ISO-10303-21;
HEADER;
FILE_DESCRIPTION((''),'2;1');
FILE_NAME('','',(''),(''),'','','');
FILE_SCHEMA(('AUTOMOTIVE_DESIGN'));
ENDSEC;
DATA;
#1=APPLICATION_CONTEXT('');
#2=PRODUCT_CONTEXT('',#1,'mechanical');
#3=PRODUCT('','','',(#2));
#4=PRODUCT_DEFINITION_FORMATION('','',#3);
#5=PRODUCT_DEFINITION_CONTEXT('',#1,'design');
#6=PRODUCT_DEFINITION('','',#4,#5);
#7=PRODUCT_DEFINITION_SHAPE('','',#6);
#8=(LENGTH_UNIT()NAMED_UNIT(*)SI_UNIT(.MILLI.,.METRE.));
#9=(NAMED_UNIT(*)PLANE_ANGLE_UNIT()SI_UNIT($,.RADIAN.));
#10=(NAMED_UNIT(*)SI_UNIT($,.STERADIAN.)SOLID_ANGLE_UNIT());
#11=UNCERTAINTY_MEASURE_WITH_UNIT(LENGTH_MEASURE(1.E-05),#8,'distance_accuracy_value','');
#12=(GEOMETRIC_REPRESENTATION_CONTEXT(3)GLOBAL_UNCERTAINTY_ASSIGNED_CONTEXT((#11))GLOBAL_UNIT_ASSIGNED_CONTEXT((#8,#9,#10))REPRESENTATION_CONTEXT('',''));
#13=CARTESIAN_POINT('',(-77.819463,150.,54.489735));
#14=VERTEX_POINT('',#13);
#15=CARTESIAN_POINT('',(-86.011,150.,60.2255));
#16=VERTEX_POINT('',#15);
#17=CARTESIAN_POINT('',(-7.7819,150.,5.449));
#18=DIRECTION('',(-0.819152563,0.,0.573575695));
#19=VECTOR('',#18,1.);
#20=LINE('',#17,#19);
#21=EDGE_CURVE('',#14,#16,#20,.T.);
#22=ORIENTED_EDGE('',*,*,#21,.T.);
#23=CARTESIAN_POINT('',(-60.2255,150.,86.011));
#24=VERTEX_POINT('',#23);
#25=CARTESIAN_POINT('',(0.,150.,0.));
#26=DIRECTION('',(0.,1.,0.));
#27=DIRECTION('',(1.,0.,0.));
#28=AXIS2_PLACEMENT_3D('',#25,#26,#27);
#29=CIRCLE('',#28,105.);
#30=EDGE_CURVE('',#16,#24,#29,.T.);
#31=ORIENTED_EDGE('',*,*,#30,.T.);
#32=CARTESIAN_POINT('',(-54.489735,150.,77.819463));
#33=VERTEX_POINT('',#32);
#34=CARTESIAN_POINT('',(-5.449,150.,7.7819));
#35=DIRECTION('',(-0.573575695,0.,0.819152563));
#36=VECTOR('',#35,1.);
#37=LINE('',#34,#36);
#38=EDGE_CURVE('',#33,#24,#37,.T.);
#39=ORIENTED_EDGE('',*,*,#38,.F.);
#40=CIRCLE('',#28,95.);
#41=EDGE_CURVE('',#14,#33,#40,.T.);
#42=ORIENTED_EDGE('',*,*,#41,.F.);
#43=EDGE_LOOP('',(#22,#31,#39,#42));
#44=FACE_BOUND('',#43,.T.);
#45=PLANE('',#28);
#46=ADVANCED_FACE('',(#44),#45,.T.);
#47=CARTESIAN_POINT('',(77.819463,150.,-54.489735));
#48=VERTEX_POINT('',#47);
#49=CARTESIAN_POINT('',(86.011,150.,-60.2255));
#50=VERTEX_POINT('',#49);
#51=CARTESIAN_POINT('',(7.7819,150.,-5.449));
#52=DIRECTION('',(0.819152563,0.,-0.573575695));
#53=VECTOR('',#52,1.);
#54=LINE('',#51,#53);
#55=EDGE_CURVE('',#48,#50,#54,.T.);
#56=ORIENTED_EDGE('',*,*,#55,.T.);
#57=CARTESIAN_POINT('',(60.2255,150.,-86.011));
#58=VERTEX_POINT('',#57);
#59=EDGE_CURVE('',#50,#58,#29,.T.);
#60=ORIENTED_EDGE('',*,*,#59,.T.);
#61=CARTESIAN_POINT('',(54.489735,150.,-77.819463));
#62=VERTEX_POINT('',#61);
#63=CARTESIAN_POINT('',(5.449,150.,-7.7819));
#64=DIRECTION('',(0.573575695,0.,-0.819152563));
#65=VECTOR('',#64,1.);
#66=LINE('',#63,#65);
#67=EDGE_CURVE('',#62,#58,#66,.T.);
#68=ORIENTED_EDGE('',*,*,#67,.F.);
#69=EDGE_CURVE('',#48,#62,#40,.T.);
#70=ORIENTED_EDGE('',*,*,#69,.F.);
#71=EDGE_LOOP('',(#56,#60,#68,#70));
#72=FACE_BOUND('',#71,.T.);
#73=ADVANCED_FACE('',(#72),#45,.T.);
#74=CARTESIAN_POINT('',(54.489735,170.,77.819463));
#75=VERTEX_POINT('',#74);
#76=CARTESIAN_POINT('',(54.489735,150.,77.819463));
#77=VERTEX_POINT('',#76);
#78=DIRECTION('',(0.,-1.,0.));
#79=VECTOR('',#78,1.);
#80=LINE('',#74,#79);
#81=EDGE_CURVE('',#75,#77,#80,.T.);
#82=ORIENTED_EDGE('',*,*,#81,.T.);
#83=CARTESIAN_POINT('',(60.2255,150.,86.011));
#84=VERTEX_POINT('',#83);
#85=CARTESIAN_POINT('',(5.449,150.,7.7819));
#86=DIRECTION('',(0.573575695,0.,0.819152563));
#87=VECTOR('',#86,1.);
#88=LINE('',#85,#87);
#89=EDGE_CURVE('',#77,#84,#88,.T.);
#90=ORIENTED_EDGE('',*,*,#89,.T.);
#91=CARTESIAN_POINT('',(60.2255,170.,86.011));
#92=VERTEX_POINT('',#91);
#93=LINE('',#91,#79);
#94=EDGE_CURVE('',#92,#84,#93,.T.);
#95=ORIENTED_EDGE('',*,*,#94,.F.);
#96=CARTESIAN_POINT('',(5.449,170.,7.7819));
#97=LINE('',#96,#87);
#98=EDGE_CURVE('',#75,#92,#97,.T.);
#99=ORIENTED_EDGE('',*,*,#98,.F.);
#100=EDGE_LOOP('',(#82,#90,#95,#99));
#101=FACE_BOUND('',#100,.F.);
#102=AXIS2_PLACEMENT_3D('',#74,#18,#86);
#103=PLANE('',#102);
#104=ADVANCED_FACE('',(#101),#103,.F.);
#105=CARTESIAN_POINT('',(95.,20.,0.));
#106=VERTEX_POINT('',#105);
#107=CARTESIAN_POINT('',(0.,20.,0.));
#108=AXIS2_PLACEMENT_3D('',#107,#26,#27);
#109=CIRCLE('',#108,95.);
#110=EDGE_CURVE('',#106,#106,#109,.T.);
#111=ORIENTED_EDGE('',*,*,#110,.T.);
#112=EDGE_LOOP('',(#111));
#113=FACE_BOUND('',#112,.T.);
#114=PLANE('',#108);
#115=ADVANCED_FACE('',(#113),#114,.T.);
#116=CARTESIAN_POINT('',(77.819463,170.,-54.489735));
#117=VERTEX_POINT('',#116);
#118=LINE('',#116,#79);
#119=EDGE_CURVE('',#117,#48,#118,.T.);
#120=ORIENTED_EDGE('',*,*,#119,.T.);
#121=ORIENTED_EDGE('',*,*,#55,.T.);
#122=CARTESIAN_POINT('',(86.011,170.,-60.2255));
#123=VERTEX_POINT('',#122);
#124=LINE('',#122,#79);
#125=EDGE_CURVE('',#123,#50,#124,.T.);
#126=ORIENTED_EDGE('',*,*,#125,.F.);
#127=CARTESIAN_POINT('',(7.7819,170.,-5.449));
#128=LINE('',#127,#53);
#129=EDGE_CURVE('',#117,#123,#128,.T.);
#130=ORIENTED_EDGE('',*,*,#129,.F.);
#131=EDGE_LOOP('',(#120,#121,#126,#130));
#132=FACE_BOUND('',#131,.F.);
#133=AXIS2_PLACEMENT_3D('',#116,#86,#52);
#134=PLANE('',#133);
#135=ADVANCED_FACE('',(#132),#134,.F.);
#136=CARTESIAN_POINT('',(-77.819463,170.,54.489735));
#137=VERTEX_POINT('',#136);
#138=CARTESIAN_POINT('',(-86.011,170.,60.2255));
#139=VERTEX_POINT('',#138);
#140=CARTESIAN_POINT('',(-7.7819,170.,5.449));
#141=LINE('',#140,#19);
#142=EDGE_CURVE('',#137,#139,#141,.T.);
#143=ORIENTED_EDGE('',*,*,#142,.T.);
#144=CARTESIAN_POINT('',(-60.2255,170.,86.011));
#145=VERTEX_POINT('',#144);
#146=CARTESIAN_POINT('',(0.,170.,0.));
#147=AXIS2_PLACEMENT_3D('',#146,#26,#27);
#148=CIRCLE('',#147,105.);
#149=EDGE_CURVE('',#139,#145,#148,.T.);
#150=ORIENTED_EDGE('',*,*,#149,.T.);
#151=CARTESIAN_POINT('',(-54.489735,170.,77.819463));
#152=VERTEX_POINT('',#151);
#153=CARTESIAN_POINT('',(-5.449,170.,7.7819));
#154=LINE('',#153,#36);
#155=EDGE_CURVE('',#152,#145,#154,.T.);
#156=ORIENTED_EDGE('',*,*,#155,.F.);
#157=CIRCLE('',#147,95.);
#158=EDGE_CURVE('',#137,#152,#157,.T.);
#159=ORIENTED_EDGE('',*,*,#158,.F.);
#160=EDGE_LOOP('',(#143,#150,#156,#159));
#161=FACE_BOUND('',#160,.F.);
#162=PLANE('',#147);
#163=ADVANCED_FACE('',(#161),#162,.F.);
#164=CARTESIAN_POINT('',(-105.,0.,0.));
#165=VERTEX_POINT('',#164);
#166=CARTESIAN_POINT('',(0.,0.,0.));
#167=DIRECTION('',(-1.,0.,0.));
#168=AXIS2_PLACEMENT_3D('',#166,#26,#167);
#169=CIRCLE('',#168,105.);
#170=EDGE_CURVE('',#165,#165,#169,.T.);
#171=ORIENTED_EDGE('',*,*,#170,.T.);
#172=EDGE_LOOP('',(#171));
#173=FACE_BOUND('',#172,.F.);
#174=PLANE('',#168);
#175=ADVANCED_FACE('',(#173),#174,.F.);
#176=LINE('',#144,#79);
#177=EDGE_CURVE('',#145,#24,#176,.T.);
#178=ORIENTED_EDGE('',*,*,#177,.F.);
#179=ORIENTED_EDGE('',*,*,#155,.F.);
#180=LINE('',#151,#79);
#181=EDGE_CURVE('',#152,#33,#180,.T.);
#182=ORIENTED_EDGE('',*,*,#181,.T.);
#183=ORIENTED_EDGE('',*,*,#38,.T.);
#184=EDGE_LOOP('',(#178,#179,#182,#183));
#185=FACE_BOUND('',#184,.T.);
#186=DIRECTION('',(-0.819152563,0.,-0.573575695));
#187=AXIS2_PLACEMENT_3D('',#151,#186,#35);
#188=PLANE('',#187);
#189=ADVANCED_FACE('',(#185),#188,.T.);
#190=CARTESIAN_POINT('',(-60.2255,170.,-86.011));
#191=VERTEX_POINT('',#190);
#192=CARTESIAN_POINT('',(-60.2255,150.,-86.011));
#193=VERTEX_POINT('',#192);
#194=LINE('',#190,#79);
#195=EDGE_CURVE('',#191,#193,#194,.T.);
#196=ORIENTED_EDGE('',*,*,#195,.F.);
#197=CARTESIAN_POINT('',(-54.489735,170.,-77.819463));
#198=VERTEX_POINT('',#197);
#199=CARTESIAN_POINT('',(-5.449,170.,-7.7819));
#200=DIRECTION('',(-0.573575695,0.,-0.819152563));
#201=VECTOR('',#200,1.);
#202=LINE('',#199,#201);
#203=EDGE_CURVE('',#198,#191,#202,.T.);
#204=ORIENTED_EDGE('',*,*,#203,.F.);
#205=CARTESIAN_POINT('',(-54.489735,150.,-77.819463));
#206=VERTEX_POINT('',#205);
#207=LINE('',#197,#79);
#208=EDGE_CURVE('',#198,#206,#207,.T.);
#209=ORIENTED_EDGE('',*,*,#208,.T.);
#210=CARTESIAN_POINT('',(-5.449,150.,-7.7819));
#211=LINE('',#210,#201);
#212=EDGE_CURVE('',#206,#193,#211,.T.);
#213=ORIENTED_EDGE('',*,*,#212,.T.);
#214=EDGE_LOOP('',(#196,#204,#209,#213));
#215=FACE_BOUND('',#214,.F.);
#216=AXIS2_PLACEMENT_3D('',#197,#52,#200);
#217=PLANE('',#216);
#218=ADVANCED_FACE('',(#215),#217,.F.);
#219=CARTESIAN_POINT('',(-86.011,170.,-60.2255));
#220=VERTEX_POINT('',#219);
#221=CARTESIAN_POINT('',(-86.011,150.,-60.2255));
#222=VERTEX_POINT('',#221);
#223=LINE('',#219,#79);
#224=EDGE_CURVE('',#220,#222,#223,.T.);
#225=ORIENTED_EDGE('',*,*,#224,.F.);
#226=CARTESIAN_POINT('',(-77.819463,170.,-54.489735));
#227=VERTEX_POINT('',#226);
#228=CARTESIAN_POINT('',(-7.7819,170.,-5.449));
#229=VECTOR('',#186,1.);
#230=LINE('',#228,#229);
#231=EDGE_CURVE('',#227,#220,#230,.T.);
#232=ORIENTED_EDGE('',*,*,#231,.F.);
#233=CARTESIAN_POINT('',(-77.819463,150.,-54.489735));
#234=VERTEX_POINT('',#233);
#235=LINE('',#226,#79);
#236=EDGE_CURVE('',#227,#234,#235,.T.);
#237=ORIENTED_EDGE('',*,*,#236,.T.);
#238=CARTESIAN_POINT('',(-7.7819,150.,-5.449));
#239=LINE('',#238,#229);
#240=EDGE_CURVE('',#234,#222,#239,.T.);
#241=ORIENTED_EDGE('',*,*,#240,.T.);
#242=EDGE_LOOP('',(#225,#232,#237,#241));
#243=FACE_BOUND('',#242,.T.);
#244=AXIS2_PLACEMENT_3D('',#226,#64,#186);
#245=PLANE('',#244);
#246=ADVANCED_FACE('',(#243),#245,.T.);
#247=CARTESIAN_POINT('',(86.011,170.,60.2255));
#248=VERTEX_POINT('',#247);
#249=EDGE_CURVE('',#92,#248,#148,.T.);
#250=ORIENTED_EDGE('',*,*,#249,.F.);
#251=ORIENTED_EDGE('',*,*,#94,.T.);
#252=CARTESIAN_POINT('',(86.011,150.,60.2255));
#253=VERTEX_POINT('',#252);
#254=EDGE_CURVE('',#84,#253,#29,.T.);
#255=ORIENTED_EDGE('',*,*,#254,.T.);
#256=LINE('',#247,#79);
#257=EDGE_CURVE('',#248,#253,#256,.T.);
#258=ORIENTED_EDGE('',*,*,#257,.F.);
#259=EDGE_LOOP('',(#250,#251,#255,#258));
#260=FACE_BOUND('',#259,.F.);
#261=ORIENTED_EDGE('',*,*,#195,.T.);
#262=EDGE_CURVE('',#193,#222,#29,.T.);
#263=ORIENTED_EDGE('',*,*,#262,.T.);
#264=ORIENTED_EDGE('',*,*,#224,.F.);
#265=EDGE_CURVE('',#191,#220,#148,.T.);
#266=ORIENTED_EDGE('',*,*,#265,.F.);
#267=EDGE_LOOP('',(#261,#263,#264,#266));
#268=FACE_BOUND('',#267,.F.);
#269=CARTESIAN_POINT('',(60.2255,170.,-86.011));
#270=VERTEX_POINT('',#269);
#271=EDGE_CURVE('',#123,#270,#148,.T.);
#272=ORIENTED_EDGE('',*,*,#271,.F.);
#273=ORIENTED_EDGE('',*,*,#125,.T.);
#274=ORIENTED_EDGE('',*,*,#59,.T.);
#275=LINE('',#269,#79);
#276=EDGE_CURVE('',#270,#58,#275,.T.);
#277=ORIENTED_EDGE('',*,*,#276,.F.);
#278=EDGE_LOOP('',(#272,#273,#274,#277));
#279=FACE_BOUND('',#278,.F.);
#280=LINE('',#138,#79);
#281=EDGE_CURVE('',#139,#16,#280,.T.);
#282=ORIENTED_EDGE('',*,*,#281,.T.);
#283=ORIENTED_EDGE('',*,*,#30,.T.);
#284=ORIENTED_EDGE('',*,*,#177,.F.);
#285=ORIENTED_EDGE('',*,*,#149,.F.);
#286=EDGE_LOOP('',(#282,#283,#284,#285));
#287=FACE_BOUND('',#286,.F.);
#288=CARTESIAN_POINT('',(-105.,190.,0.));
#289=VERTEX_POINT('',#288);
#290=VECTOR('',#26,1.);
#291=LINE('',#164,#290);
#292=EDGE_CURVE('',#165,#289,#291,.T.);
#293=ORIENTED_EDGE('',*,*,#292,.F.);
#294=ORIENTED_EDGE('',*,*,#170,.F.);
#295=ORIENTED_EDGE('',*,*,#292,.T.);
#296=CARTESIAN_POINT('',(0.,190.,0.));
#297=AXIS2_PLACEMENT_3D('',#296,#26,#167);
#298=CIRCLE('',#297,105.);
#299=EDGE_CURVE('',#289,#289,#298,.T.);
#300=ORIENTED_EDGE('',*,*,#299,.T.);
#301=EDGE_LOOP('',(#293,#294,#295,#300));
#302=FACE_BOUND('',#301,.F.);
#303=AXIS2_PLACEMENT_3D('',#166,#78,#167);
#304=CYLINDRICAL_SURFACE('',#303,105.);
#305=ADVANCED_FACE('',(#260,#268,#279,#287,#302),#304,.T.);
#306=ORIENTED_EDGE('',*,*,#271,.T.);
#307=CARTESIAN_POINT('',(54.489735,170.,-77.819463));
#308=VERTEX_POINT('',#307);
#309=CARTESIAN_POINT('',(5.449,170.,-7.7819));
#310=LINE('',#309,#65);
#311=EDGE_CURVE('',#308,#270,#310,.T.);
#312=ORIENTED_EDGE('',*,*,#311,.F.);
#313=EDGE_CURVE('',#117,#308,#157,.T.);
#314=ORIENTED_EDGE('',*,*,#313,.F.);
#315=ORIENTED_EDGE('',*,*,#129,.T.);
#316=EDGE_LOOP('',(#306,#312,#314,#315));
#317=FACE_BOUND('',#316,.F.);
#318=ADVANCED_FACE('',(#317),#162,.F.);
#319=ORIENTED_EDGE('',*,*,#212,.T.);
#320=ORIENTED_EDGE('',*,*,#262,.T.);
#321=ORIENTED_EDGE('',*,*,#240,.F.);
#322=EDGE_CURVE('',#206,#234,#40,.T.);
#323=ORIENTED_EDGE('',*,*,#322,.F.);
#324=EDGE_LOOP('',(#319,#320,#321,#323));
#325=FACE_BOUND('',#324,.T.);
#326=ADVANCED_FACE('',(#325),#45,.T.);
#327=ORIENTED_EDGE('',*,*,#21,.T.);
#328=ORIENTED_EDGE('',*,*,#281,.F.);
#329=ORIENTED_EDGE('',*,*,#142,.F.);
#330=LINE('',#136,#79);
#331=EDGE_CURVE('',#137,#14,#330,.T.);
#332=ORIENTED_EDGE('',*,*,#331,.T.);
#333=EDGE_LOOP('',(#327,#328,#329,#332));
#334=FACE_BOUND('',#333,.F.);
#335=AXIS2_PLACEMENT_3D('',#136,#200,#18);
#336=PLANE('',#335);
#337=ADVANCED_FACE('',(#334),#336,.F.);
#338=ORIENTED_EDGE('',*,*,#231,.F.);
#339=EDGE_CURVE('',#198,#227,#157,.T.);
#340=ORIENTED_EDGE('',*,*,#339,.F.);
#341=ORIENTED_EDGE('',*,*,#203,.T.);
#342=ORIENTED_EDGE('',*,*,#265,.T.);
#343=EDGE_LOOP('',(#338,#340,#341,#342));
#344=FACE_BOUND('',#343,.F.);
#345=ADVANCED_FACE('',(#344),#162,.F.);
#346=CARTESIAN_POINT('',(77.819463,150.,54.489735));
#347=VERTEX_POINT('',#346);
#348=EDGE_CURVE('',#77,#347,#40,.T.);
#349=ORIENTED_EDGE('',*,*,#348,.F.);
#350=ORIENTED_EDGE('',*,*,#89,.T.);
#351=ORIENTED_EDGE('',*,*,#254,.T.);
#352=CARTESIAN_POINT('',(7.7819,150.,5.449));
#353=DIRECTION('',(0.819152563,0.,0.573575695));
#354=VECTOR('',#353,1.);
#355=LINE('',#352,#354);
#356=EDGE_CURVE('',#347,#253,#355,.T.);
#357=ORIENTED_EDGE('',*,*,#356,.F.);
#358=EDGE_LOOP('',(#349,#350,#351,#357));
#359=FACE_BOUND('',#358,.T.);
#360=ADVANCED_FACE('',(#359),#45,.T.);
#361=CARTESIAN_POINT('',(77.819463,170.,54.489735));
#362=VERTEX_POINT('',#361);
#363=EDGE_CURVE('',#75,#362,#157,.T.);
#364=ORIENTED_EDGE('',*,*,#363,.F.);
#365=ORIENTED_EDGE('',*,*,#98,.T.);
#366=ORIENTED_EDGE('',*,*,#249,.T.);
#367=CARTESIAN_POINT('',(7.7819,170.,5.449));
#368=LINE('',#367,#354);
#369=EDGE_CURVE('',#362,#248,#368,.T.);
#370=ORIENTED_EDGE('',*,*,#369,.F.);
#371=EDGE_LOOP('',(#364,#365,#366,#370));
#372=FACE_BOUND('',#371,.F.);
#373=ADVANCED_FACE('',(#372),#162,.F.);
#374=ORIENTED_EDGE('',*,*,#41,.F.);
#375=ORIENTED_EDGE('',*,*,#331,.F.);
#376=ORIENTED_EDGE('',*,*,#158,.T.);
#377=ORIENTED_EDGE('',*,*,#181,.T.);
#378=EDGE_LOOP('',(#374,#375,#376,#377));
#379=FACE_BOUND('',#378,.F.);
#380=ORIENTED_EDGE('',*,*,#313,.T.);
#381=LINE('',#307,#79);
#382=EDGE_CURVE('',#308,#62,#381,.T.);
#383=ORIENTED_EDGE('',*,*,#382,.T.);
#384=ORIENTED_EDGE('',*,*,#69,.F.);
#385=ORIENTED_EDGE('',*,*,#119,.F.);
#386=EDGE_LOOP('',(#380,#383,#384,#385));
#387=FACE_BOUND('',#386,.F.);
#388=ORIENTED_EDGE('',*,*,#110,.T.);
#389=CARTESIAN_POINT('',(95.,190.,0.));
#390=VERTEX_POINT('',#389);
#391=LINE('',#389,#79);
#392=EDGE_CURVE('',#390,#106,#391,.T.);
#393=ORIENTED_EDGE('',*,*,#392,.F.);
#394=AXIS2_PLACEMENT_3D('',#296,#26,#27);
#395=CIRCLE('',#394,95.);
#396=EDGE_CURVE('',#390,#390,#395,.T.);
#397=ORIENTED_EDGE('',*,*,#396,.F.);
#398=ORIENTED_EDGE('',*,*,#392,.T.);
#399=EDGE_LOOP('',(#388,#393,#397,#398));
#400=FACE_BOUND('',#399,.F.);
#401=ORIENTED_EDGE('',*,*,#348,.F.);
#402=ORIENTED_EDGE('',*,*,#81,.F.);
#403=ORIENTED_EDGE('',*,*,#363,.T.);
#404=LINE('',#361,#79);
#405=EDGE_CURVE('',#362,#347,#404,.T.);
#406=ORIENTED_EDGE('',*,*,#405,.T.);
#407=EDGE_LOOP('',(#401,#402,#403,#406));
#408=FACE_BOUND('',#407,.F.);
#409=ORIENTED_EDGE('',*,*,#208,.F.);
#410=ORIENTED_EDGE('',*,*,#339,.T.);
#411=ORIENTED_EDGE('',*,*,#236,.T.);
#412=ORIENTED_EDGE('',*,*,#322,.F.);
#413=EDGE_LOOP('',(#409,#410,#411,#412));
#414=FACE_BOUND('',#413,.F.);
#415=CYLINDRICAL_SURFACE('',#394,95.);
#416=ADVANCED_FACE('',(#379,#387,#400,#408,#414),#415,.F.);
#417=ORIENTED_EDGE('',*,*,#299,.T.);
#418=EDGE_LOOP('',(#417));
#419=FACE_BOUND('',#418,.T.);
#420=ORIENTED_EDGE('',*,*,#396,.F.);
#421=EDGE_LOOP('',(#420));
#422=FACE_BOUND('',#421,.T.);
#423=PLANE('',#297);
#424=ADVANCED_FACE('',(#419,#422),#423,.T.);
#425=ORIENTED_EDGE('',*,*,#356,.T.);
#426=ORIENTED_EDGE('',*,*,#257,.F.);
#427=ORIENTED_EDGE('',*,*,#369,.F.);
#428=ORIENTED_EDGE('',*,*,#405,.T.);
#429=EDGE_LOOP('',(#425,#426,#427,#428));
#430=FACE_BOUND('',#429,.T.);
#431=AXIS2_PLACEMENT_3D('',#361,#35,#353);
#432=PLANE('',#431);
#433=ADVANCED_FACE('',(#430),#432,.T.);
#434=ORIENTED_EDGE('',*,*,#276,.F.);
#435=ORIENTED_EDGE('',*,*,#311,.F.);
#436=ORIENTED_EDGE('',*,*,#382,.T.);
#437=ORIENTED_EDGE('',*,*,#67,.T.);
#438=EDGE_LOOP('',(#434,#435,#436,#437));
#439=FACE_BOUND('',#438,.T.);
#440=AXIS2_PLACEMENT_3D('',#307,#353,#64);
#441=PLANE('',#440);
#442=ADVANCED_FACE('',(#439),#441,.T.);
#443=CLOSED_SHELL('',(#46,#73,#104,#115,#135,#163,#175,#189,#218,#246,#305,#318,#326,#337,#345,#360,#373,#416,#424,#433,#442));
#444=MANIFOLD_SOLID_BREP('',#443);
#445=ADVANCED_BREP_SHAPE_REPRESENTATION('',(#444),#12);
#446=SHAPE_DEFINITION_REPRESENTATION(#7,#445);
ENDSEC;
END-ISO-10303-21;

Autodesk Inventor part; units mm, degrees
ref_plane "YZ Plane" through (0, 0, 0) normal (1, 0, 0) x (0, 1, 0)
ref_plane "XZ Plane" through (0, 0, 0) normal (0, 1, 0) x (-1, 0, 0)
sketch "Sketch1" plane through (0, 0, 0) normal (0, 1, 0) x (-1, 0, 0)
  circle A0 centre (0, 0) radius 105
  dimension "d0" = 210
extrude "Extrusion1" add sketch "Sketch1" along normal blind 190
sketch "Sketch2" plane through (0, 190, 0) normal (0, 1, 0) x (1, 0, 0)
  circle A0 centre (0, 0) radius 95
  dimension "d3" = 190
extrude "Extrusion2" cut sketch "Sketch2" against normal blind 170
ref_plane "Work Plane1" through (0, 170, 0) normal (0, 1, 0) x (1, 0, 0)
sketch "Sketch3" plane through (0, 170, 0) normal (0, 1, 0) x (1, 0, 0)
  circle A0 centre (0, 0) radius 95 projected
  line L0 (0, 0) -> (20.2008, 0) construction
  line L1 (0, 0) -> (20.2008, 0) construction
  circle A1 centre (0, 0) radius 105 projected
  line L2 (0, 0) -> (10.5, 0) construction
  line L3 (5.449, 7.7819) -> (60.2255, 86.011)
  line L4 (0, 0) -> (10.5, 0) construction
  line L5 (7.7819, 5.449) -> (86.011, 60.2255)
  line L6 (0, 0) -> (10.5, 0) construction
  line L7 (5.449, -7.7819) -> (60.2255, -86.011)
  line L8 (0, 0) -> (10.5, 0) construction
  line L9 (7.7819, -5.449) -> (86.011, -60.2255)
  line L10 (0, 0) -> (10.5, 0) construction
  line L11 (-5.449, 7.7819) -> (-60.2255, 86.011)
  line L12 (0, 0) -> (10.5, 0) construction
  line L13 (-7.7819, 5.449) -> (-86.011, 60.2255)
  line L14 (0, 0) -> (10.5, 0) construction
  line L15 (0, 0) -> (10.5, 0) construction
  line L16 (0, 0) -> (10.5, 0) construction
  line L17 (-5.449, -7.7819) -> (-60.2255, -86.011)
  line L18 (-7.7819, -5.449) -> (-86.011, -60.2255)
  arc A2 (7.7819, 5.449) -> (5.449, 7.7819) centre (0, 0) ccw
  arc A3 (5.449, -7.7819) -> (7.7819, -5.449) centre (0, 0) ccw
  arc A4 (-5.449, 7.7819) -> (-7.7819, 5.449) centre (0, 0) ccw
  arc A5 (-7.7819, -5.449) -> (-5.449, -7.7819) centre (0, 0) ccw
  arc A6 (-60.2255, 86.011) -> (-86.011, 60.2255) centre (0, 0) ccw
  arc A7 (86.011, 60.2255) -> (60.2255, 86.011) centre (0, 0) ccw
  arc A8 (-86.011, -60.2255) -> (-60.2255, -86.011) centre (0, 0) ccw
  arc A9 (60.2255, -86.011) -> (86.011, -60.2255) centre (0, 0) ccw
  point P0 (-77.8194, 54.4898)
  point P1 (-54.4898, 77.8194)
  point P2 (77.8194, -54.4898)
  point P3 (54.4898, -77.8194)
  point P4 (77.8194, 54.4898)
  point P5 (54.4898, 77.8194)
  point P6 (-77.8194, -54.4898)
  point P7 (-54.4898, -77.8194)
  dimension "d22" = 55
  dimension "d23" = 35
  dimension "d24" = 55
  dimension "d26" = 125
  dimension "d27" = 145
extrude "Extrusion3" cut sketch "Sketch3" against normal blind 20 contours A0 L3 A1 L5 | L9 A1 L7 A0 | A0 L13 A1 L11 | L17 A1 L18 A0
